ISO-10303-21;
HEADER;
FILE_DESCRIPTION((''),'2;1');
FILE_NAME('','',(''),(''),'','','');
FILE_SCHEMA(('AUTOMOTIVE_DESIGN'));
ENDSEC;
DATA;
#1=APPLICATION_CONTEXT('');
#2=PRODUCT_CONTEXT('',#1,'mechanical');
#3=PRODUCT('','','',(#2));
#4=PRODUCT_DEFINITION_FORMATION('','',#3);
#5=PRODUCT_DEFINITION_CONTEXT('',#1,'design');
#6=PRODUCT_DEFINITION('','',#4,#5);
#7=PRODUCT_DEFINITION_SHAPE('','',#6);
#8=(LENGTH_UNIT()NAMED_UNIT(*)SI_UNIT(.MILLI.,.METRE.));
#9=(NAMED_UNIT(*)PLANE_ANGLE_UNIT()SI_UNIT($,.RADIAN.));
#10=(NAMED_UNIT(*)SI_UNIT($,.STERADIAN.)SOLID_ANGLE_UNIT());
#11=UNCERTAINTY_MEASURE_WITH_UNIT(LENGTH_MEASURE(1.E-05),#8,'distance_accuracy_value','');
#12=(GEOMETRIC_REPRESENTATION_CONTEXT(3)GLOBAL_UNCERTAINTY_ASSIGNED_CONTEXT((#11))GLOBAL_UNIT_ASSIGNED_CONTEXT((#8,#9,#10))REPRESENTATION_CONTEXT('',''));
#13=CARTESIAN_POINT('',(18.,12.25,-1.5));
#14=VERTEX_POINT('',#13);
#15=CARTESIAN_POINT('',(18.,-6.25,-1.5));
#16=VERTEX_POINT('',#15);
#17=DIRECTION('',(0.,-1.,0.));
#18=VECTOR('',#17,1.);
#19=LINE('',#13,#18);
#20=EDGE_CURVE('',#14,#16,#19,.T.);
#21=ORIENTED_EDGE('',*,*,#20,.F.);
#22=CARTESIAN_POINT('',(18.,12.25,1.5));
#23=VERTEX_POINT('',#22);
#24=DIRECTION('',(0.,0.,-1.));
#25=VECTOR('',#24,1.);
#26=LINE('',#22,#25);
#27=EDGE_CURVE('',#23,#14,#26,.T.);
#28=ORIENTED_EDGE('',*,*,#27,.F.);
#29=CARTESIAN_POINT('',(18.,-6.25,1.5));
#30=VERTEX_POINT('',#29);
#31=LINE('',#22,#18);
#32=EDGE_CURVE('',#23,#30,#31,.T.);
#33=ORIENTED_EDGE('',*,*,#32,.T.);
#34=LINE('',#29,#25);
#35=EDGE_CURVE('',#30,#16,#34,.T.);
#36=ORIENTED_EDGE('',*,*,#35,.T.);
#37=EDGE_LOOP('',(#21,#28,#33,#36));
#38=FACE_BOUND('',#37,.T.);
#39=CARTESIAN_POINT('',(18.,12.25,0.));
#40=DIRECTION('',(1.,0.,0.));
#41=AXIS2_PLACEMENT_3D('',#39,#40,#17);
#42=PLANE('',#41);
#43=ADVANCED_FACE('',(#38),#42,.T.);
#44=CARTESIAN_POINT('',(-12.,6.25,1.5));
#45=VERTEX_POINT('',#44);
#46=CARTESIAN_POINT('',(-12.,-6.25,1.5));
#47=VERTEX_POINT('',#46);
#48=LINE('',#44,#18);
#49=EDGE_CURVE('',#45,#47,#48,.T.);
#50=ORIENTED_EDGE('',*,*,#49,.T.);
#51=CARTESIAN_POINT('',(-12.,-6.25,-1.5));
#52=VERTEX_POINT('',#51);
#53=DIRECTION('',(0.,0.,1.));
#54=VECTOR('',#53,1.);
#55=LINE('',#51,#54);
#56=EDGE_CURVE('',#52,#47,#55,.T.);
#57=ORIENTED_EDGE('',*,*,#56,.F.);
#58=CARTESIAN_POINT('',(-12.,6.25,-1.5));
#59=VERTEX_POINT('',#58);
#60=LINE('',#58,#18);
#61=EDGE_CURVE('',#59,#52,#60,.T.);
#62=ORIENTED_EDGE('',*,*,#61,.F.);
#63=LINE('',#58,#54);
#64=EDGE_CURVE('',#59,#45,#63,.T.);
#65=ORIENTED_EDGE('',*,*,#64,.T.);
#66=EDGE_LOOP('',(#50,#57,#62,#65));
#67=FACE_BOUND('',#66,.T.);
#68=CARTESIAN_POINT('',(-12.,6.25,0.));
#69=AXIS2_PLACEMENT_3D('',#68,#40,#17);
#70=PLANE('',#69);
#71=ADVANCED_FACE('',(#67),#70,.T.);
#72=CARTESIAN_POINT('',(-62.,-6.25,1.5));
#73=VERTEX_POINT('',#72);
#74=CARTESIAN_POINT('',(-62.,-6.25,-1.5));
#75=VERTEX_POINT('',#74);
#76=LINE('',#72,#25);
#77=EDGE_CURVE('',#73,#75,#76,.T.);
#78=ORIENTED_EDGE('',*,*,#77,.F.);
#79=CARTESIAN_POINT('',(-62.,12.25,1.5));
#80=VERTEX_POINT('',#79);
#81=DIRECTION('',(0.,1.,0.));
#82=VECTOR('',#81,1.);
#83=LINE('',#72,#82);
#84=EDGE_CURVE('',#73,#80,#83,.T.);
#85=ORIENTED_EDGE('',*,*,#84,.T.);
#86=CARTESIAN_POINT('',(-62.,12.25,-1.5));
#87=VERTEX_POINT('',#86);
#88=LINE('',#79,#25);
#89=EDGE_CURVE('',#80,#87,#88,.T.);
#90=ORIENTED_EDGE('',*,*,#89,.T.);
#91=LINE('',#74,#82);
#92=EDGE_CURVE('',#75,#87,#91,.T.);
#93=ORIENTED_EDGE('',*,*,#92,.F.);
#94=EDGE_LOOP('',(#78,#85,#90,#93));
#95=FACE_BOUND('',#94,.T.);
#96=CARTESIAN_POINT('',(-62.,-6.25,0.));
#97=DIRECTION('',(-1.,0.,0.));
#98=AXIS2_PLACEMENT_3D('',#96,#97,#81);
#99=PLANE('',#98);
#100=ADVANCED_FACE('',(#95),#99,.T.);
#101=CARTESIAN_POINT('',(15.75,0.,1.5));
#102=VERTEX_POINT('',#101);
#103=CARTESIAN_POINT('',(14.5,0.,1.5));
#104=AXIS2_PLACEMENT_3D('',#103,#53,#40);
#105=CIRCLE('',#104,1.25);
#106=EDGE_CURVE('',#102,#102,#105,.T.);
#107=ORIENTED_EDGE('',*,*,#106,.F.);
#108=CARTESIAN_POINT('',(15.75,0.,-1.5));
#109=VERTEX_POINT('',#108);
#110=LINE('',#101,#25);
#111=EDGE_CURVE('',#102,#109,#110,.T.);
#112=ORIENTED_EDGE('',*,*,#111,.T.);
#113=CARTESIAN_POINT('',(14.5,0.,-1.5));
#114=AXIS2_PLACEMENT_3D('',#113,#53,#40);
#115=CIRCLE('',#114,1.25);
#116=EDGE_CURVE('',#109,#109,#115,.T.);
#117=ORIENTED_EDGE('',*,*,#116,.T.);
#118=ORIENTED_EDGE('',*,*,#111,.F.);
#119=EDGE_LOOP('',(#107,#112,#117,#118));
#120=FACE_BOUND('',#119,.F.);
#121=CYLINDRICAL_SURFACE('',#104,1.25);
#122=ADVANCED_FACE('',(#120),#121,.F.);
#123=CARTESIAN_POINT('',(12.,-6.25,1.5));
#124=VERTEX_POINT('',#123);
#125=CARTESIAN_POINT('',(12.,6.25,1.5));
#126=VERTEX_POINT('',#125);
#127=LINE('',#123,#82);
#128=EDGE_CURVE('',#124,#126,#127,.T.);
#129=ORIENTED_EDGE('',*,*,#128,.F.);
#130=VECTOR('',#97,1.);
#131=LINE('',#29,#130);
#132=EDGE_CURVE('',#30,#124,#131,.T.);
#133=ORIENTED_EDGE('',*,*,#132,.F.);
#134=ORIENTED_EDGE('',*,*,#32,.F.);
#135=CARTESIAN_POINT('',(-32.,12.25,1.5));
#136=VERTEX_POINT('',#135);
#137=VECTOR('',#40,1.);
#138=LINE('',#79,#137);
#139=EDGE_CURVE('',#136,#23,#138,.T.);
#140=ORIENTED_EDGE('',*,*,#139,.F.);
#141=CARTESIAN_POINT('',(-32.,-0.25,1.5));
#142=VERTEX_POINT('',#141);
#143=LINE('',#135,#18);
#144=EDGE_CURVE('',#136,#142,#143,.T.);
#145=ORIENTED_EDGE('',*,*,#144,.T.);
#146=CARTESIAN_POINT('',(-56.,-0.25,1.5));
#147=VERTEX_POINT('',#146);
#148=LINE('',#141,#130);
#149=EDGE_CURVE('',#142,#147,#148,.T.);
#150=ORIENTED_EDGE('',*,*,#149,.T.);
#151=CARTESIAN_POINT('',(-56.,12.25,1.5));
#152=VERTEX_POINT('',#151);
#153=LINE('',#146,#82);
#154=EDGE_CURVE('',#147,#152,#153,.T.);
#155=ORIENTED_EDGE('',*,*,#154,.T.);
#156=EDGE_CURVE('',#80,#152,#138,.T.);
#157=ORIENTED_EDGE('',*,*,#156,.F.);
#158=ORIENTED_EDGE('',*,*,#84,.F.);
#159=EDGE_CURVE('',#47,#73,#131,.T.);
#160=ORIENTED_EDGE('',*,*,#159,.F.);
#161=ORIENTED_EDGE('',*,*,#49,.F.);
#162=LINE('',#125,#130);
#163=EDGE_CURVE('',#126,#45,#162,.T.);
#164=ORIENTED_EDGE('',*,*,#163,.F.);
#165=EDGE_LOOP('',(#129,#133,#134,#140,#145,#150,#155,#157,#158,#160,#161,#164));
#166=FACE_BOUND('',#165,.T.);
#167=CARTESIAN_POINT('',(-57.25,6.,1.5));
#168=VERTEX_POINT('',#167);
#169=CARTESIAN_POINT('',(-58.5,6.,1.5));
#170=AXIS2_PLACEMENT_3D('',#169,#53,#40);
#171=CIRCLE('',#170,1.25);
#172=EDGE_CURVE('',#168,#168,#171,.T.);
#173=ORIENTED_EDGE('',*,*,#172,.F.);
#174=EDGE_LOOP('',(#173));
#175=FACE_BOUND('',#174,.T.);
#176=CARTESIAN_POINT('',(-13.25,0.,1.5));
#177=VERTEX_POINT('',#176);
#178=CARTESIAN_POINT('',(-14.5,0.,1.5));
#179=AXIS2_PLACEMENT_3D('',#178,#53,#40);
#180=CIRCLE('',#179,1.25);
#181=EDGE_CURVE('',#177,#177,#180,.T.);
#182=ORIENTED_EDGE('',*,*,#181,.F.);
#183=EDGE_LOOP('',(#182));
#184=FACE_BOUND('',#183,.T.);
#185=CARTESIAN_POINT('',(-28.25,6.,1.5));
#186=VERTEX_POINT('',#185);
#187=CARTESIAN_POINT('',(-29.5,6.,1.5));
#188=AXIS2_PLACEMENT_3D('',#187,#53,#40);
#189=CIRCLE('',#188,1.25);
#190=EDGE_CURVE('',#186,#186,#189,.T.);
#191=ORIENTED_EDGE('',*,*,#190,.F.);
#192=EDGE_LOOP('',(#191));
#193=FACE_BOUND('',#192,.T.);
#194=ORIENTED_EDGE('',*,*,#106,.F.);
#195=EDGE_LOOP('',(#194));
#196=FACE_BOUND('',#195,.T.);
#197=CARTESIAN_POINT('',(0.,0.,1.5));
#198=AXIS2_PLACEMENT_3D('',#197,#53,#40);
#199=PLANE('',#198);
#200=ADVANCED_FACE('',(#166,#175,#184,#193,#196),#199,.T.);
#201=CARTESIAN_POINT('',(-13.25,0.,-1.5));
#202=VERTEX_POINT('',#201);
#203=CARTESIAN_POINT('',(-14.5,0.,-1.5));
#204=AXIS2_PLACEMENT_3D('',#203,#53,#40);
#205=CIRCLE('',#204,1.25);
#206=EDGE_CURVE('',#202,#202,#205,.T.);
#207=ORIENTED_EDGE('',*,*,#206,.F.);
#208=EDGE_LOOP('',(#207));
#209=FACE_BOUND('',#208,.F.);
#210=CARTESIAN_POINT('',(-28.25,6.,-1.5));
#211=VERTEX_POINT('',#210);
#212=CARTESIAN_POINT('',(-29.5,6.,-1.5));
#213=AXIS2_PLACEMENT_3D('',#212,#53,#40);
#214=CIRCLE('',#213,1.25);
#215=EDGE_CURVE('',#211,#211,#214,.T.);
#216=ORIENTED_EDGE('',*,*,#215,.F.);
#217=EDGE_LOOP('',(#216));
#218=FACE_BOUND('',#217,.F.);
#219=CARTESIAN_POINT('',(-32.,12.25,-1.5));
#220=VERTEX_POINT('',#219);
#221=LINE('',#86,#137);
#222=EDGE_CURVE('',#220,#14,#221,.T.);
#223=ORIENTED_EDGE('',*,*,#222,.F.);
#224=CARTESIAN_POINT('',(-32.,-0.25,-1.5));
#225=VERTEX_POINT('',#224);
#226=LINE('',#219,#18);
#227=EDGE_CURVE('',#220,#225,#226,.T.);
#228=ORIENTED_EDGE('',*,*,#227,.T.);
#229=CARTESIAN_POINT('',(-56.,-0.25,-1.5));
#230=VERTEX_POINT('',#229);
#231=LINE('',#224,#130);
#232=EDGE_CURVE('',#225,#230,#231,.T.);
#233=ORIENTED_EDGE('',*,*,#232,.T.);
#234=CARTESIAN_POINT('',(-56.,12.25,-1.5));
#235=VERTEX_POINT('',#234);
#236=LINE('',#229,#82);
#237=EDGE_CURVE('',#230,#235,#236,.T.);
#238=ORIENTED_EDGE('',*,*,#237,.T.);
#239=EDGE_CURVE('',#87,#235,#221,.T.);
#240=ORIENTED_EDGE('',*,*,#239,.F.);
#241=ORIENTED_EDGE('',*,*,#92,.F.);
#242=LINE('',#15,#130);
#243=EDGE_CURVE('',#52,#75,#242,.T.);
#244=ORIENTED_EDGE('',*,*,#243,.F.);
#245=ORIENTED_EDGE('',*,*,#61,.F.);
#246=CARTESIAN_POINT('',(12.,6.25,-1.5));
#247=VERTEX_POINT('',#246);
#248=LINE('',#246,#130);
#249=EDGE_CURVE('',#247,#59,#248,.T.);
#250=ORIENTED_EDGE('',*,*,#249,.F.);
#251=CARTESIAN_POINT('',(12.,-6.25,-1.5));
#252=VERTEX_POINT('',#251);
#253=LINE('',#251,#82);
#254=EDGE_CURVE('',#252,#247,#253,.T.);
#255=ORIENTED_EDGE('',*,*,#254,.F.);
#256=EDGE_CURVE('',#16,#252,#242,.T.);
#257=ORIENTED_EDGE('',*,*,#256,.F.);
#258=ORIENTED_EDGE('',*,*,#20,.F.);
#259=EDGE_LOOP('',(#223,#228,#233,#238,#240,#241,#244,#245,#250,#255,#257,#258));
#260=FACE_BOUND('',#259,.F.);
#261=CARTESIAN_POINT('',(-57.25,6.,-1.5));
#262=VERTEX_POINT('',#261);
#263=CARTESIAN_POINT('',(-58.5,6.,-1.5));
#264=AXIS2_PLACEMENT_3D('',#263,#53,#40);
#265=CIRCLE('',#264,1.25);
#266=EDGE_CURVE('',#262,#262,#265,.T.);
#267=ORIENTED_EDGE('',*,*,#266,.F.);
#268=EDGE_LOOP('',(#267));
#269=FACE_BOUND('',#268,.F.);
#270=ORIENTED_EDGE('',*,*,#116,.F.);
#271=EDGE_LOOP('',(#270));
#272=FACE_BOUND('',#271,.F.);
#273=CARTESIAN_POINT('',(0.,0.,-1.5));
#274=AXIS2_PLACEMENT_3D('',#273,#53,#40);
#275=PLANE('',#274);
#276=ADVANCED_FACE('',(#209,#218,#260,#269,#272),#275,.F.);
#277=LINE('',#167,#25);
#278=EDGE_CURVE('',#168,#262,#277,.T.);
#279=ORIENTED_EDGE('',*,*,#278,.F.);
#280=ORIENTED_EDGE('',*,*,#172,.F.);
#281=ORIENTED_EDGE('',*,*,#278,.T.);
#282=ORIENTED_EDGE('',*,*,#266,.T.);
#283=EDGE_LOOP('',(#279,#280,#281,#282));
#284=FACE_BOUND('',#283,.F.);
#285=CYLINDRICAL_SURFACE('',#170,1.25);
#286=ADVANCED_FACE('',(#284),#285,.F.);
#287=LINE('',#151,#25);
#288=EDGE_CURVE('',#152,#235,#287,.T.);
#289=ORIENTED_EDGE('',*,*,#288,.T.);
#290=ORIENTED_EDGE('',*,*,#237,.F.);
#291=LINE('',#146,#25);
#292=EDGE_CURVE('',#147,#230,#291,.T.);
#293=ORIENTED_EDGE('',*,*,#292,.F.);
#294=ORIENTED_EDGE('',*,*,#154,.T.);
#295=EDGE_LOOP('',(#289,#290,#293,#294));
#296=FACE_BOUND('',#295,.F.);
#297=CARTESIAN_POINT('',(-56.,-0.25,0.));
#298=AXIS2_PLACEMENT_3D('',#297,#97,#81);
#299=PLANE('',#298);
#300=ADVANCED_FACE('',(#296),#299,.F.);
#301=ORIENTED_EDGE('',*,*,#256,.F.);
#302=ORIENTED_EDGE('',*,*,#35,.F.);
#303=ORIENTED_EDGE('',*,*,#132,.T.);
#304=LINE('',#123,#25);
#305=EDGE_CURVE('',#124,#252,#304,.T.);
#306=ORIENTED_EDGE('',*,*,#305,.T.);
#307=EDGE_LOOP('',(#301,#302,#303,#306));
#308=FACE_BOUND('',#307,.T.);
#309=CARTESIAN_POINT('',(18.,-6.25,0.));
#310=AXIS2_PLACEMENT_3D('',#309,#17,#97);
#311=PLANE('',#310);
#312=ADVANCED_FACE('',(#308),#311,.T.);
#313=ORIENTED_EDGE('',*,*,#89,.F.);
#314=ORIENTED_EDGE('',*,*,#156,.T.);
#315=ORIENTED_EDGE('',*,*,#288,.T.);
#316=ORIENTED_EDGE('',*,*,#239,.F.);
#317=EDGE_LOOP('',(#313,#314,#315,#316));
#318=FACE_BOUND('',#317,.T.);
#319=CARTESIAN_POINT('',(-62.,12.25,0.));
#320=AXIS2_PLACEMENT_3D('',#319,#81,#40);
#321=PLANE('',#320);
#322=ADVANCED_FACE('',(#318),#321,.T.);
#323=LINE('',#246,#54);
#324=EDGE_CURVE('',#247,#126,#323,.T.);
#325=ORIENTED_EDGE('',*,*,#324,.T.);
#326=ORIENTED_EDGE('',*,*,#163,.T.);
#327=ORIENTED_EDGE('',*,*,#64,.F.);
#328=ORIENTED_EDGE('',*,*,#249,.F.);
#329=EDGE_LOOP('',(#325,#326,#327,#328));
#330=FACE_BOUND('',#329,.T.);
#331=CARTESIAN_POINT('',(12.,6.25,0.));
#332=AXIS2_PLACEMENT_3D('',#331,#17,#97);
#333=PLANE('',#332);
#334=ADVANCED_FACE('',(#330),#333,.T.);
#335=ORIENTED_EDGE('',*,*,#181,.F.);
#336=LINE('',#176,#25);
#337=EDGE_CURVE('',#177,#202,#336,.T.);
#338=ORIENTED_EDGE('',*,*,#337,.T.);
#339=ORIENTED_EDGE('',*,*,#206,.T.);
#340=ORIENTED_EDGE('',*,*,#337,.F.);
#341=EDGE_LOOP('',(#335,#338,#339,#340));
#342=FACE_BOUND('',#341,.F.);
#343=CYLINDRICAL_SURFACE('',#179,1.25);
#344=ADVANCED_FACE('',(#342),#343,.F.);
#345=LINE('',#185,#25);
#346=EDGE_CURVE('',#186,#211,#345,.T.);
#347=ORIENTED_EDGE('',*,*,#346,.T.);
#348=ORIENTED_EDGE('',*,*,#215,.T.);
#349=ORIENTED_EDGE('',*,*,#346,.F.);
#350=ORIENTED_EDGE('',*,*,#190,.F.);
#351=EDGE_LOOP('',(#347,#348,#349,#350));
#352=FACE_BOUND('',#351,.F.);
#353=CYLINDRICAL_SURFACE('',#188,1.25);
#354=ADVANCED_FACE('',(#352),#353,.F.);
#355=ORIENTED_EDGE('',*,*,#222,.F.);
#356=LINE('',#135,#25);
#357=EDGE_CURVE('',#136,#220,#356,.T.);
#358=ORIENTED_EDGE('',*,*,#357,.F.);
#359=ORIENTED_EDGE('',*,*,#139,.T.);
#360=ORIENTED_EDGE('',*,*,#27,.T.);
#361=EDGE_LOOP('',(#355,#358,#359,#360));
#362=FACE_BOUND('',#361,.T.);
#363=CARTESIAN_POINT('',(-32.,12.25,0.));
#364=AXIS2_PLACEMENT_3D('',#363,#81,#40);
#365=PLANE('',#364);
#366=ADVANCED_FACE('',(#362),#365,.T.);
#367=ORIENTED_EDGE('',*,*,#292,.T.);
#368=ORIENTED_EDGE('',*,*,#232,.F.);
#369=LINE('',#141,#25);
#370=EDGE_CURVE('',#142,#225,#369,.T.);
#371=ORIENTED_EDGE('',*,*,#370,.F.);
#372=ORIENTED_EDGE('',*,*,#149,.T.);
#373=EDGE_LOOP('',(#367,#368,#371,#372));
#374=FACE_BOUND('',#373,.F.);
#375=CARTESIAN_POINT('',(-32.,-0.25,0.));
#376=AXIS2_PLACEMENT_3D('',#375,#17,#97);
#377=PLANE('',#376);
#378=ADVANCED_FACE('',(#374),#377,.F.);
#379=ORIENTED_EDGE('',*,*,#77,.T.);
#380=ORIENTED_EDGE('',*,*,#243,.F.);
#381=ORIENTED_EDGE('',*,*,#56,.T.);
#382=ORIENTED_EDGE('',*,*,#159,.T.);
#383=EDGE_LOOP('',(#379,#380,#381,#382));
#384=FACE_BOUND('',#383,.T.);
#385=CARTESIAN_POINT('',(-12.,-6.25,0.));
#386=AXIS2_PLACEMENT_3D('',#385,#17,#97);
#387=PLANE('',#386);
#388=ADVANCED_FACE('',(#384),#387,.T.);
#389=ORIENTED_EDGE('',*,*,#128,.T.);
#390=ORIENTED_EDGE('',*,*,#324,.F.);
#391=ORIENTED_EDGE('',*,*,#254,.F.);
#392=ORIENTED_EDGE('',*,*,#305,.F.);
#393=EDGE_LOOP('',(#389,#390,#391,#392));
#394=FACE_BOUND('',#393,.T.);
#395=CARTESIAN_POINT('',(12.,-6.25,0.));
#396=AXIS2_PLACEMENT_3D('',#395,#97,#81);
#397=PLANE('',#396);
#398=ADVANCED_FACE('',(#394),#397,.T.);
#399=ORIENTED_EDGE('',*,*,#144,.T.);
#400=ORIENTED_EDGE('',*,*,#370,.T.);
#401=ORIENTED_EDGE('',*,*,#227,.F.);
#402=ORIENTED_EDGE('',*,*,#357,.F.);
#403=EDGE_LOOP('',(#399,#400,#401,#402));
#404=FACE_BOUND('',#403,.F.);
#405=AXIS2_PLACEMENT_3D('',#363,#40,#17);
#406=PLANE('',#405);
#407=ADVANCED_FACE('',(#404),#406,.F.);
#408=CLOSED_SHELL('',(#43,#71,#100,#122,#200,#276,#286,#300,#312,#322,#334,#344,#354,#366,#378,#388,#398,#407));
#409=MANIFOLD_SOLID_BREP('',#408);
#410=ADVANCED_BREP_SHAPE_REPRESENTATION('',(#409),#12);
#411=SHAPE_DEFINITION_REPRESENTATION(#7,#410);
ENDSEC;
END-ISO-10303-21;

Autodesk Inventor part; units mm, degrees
ref_plane "YZ Plane" through (0, 0, 0) normal (1, 0, 0) x (0, 1, 0)
ref_plane "XZ Plane" through (0, 0, 0) normal (0, 1, 0) x (-1, 0, 0)
ref_plane "XY Plane" through (0, 0, 0) normal (0, 0, 1) x (1, 0, 0)
sketch "草圖1" plane through (0, 0, 0) normal (0, 0, 1) x (1, 0, 0)
  line L0 (-12, -6.25) -> (12, -6.25)
  line L1 (12, -6.25) -> (12, 6.25)
  line L2 (12, 6.25) -> (-12, 6.25)
  line L3 (-12, 6.25) -> (-12, -6.25)
  line L4 (-12, -6.25) -> (12, 6.25) construction
  line L5 (12, -6.25) -> (-12, 6.25) construction
  line L6 (18, -6.25) -> (-62, -6.25)
  line L7 (-62, -6.25) -> (-62, 12.25)
  line L8 (-62, 12.25) -> (18, 12.25)
  line L9 (18, 12.25) -> (18, -6.25)
  line L10 (-56, 12.25) -> (-32, 12.25)
  line L11 (-32, 12.25) -> (-32, -0.25)
  line L12 (-32, -0.25) -> (-56, -0.25)
  line L13 (-56, -0.25) -> (-56, 12.25)
  point P0 (0, 0)
  point P1 (-56, 6)
  point P2 (12, -6.25)
  dimension "d0" = 24
  dimension "d1" = 12.5
  dimension "d2" = 6
  dimension "d3" = 6
  dimension "d4" = 6
  dimension "d5" = 80
extrude "擠出1" add sketch "草圖1" along normal mid plane 3 contours L6 L7 L8 L13 L12 L11 L9 L1 L2 L3
sketch "草圖2" plane through (0, 0, 1.5) normal (0, 0, 1) x (1, 0, 0)
  line L0 (12, 6.25) -> (12, -6.25) construction
  line L1 (12, -6.25) -> (18, -6.25) construction
  line L2 (18, -6.25) -> (18, 12.25) construction
  line L3 (18, 12.25) -> (-32, 12.25) construction
  line L4 (-32, 12.25) -> (-32, -0.25) construction
  line L5 (-32, -0.25) -> (-56, -0.25) construction
  line L6 (-56, -0.25) -> (-56, 12.25) construction
  line L7 (-56, 12.25) -> (-62, 12.25) construction
  line L8 (-62, 12.25) -> (-62, -6.25) construction
  line L9 (-62, -6.25) -> (-12, -6.25) construction
  line L10 (-12, -6.25) -> (-12, 6.25) construction
  line L11 (-12, 6.25) -> (12, 6.25) construction
  line L12 (-14.5, 0) -> (14.5, 0) construction
  circle A0 centre (14.5, 0) radius 1.25
  circle A1 centre (-14.5, 0) radius 1.25
  line L13 (-62, 12.25) -> (18, -6.25) construction
  circle A2 centre (-29.5, 6) radius 1.25
  circle A3 centre (-58.5, 6) radius 1.25
  point P0 (0, 0)
  point P1 (-22, 3)
  dimension "d8" = 2.5
  dimension "d9" = 29
  dimension "d12" = 360
extrude "擠出2" cut sketch "草圖2" against normal up to surface (3 mm away)
equation "\"d4\" = d2"
equation "\"d6\" = w"
equation "\"w\" = 3"
properties part number "Arm_1"
